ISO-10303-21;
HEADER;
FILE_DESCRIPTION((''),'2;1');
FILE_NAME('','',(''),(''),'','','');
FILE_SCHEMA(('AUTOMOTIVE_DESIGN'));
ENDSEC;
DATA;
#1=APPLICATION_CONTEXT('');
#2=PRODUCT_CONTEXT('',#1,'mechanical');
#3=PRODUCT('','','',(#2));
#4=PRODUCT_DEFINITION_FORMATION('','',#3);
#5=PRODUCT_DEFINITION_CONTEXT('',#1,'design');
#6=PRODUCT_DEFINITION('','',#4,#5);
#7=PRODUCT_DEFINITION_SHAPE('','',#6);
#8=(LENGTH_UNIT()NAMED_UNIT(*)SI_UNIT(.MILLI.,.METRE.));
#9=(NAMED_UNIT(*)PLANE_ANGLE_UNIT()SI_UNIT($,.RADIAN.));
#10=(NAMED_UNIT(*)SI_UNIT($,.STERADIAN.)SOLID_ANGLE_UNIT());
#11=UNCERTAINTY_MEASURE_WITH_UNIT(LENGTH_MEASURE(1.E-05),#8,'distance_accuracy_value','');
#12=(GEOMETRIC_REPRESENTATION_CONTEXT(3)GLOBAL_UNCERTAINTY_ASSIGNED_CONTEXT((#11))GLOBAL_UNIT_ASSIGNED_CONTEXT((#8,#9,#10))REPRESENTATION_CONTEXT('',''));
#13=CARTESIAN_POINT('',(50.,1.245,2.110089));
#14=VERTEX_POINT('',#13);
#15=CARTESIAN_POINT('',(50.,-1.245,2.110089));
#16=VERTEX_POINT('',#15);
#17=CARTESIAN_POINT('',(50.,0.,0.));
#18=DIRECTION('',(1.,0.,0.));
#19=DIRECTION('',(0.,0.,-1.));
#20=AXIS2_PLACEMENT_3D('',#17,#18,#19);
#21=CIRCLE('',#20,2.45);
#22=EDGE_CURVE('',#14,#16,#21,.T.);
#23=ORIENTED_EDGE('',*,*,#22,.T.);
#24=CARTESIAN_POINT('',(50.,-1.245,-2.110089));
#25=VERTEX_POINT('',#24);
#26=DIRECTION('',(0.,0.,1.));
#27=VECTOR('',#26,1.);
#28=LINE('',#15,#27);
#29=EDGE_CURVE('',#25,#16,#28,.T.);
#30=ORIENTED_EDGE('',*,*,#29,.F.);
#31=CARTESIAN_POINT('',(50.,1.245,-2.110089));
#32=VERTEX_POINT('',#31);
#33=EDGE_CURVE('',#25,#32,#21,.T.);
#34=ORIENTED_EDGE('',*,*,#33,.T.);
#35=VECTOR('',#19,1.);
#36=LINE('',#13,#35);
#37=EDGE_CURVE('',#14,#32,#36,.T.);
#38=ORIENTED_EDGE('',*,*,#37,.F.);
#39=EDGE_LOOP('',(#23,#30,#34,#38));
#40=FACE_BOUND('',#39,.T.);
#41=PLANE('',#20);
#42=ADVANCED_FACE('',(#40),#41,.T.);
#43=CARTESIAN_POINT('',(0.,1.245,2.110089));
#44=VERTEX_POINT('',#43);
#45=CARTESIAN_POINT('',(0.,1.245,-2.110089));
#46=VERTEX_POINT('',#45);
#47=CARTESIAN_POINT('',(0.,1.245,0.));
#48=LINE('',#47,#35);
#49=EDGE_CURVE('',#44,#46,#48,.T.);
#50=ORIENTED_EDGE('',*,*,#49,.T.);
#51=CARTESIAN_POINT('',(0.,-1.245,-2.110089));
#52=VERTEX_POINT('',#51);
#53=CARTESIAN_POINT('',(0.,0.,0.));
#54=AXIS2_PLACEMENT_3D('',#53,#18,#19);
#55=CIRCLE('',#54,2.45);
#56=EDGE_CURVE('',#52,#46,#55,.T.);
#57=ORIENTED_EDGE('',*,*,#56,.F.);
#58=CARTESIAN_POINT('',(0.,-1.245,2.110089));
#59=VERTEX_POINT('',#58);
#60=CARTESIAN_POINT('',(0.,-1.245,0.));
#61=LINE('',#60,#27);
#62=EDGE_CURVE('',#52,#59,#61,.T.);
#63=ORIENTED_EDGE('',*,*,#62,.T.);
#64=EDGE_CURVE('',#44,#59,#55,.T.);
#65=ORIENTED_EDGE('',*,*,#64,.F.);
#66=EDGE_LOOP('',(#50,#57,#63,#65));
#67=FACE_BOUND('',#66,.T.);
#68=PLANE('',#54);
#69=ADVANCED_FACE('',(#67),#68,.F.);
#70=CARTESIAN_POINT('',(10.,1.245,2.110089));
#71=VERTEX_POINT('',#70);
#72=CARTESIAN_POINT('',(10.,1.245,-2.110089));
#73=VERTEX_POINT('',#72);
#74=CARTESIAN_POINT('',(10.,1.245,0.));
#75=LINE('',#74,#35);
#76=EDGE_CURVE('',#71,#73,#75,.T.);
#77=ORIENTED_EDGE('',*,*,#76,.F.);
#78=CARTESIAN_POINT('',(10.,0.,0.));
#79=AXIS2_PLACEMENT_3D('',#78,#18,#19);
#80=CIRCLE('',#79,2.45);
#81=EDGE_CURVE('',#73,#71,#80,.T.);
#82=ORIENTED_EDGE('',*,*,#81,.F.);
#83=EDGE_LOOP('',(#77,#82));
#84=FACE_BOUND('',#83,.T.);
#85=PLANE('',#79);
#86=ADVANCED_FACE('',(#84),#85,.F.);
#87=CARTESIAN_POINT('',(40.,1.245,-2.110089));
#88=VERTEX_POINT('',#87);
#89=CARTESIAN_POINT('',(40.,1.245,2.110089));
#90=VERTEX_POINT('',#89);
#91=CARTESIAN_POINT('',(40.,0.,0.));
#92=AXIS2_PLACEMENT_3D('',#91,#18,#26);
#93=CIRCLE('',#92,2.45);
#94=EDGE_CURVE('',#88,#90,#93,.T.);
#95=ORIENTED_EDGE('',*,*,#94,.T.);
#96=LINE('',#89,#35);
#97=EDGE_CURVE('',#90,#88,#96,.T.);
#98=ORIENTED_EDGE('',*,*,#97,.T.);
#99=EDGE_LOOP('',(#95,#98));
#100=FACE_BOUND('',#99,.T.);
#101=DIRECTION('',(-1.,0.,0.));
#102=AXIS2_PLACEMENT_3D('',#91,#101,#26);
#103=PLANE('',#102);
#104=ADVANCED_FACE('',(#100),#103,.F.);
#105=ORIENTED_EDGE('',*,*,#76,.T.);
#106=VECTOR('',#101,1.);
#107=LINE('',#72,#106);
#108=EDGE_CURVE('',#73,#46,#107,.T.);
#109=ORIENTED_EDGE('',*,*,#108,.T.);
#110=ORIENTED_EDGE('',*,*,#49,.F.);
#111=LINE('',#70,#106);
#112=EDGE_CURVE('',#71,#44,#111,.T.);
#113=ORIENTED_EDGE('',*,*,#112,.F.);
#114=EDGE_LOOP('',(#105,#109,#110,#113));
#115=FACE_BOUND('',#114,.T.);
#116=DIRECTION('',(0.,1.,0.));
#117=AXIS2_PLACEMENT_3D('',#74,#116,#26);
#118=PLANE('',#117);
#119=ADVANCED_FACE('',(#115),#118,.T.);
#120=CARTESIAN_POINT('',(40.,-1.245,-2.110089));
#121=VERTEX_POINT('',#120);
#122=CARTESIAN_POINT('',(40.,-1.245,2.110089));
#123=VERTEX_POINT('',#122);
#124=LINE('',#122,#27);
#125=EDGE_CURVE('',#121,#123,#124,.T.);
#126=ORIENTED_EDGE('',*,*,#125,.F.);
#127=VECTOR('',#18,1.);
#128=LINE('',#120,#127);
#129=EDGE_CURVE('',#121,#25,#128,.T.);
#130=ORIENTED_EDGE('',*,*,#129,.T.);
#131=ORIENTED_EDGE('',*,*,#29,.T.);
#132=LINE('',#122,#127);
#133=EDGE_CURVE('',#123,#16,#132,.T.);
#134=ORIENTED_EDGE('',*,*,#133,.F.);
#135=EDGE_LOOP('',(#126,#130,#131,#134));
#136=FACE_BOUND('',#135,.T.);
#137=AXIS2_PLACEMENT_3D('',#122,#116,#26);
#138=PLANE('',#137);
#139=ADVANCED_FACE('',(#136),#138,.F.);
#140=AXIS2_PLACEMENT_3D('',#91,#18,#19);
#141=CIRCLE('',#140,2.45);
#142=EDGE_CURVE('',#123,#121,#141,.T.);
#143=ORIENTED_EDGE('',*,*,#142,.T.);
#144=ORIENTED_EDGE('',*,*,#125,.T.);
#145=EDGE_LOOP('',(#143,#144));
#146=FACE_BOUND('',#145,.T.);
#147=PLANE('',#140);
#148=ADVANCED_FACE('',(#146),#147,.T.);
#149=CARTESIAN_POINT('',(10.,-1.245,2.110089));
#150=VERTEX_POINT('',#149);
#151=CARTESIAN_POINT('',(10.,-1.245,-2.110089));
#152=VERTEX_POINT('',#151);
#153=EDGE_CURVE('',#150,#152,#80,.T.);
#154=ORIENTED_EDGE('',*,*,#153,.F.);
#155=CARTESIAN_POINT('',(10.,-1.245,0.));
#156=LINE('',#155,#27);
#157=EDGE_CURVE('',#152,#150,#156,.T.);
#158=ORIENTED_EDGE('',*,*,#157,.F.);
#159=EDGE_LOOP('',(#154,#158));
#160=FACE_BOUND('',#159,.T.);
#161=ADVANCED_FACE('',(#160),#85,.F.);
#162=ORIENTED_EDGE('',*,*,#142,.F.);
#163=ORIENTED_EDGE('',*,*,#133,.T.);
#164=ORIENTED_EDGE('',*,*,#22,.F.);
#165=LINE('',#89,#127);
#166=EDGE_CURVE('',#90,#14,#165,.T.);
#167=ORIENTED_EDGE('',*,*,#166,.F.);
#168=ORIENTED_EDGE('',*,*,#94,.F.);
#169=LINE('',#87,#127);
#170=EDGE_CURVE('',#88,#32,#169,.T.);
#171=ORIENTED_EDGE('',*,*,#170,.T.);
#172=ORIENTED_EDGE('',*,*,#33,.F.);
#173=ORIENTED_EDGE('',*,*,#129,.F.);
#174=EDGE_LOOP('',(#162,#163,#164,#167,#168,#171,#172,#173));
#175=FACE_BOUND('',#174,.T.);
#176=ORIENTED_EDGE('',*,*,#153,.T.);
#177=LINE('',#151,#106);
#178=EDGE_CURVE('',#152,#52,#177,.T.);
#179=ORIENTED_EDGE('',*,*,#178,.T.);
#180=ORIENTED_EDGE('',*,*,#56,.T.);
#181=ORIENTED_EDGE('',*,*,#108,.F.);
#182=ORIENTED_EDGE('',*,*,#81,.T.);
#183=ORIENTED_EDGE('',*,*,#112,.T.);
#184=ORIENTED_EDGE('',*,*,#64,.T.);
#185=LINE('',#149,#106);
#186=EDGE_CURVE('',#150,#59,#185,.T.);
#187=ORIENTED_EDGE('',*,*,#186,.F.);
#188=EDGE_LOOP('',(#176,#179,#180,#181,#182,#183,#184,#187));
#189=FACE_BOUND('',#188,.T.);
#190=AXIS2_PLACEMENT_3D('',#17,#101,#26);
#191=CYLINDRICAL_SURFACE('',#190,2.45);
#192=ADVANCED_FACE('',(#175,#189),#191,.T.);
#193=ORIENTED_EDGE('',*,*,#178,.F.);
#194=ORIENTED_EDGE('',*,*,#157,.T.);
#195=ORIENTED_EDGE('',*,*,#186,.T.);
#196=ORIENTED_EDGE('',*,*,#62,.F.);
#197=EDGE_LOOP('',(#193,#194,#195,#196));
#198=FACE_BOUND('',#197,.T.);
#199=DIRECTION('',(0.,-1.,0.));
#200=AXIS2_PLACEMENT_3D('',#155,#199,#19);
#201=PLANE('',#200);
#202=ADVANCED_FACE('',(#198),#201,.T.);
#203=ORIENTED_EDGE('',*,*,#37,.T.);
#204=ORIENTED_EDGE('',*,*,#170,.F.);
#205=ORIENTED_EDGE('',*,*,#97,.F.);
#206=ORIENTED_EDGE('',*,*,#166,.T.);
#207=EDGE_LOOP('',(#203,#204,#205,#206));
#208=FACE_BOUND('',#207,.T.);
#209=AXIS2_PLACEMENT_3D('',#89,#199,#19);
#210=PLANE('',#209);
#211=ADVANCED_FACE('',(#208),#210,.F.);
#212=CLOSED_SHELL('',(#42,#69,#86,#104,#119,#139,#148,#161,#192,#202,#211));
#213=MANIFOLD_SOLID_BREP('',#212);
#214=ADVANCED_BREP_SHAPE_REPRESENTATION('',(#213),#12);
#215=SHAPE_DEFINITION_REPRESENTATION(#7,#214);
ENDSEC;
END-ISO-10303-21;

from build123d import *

# Parameters (mm, degrees)
SKETCH1_R           = 2.45
BOSS_EXTRUDE1_DEPTH = 50
CUT_EXTRUDE1_DEPTH  = 10
CUT_EXTRUDE2_START  = -50
CUT_EXTRUDE2_DEPTH  = 10


with BuildPart() as part:
    # Sketch1 → Boss-Extrude1 (new body)
    with BuildSketch(Plane(origin=(0, 0, 0), x_dir=(0, 0, -1), z_dir=(1, 0, 0))):
        Circle(SKETCH1_R)
    extrude(amount=BOSS_EXTRUDE1_DEPTH)

    # Sketch2 → Cut-Extrude1 (cut)
    with BuildSketch(Plane(origin=(50, 0, 0), x_dir=(0, 0, -1), z_dir=(1, 0, 0))):
        with BuildLine():
            Line((-2.110088861, 1.245), (2.110088861, 1.245))
            ThreePointArc((2.110088861, 1.245), (0, 2.45), (-2.110088861, 1.245))
        make_face()
        with BuildLine():
            Line((-2.110088861, -1.245), (2.110088861, -1.245))
            ThreePointArc((2.110088861, -1.245), (0, -2.45), (-2.110088861, -1.245))
        make_face()
    extrude(amount=-CUT_EXTRUDE1_DEPTH, mode=Mode.SUBTRACT)

    # Sketch2<2> → Cut-Extrude2 (cut)
    with BuildSketch(Plane(origin=(50, 0, 0), x_dir=(0, 0, -1), z_dir=(1, 0, 0)).offset(CUT_EXTRUDE2_START)):
        with BuildLine():
            Line((-2.110088861, 1.245), (2.110088861, 1.245))
            ThreePointArc((2.110088861, 1.245), (0, 2.45), (-2.110088861, 1.245))
        make_face()
        with BuildLine():
            Line((-2.110088861, -1.245), (2.110088861, -1.245))
            ThreePointArc((2.110088861, -1.245), (0, -2.45), (-2.110088861, -1.245))
        make_face()
    extrude(amount=CUT_EXTRUDE2_DEPTH, mode=Mode.SUBTRACT)


solid = part.part
